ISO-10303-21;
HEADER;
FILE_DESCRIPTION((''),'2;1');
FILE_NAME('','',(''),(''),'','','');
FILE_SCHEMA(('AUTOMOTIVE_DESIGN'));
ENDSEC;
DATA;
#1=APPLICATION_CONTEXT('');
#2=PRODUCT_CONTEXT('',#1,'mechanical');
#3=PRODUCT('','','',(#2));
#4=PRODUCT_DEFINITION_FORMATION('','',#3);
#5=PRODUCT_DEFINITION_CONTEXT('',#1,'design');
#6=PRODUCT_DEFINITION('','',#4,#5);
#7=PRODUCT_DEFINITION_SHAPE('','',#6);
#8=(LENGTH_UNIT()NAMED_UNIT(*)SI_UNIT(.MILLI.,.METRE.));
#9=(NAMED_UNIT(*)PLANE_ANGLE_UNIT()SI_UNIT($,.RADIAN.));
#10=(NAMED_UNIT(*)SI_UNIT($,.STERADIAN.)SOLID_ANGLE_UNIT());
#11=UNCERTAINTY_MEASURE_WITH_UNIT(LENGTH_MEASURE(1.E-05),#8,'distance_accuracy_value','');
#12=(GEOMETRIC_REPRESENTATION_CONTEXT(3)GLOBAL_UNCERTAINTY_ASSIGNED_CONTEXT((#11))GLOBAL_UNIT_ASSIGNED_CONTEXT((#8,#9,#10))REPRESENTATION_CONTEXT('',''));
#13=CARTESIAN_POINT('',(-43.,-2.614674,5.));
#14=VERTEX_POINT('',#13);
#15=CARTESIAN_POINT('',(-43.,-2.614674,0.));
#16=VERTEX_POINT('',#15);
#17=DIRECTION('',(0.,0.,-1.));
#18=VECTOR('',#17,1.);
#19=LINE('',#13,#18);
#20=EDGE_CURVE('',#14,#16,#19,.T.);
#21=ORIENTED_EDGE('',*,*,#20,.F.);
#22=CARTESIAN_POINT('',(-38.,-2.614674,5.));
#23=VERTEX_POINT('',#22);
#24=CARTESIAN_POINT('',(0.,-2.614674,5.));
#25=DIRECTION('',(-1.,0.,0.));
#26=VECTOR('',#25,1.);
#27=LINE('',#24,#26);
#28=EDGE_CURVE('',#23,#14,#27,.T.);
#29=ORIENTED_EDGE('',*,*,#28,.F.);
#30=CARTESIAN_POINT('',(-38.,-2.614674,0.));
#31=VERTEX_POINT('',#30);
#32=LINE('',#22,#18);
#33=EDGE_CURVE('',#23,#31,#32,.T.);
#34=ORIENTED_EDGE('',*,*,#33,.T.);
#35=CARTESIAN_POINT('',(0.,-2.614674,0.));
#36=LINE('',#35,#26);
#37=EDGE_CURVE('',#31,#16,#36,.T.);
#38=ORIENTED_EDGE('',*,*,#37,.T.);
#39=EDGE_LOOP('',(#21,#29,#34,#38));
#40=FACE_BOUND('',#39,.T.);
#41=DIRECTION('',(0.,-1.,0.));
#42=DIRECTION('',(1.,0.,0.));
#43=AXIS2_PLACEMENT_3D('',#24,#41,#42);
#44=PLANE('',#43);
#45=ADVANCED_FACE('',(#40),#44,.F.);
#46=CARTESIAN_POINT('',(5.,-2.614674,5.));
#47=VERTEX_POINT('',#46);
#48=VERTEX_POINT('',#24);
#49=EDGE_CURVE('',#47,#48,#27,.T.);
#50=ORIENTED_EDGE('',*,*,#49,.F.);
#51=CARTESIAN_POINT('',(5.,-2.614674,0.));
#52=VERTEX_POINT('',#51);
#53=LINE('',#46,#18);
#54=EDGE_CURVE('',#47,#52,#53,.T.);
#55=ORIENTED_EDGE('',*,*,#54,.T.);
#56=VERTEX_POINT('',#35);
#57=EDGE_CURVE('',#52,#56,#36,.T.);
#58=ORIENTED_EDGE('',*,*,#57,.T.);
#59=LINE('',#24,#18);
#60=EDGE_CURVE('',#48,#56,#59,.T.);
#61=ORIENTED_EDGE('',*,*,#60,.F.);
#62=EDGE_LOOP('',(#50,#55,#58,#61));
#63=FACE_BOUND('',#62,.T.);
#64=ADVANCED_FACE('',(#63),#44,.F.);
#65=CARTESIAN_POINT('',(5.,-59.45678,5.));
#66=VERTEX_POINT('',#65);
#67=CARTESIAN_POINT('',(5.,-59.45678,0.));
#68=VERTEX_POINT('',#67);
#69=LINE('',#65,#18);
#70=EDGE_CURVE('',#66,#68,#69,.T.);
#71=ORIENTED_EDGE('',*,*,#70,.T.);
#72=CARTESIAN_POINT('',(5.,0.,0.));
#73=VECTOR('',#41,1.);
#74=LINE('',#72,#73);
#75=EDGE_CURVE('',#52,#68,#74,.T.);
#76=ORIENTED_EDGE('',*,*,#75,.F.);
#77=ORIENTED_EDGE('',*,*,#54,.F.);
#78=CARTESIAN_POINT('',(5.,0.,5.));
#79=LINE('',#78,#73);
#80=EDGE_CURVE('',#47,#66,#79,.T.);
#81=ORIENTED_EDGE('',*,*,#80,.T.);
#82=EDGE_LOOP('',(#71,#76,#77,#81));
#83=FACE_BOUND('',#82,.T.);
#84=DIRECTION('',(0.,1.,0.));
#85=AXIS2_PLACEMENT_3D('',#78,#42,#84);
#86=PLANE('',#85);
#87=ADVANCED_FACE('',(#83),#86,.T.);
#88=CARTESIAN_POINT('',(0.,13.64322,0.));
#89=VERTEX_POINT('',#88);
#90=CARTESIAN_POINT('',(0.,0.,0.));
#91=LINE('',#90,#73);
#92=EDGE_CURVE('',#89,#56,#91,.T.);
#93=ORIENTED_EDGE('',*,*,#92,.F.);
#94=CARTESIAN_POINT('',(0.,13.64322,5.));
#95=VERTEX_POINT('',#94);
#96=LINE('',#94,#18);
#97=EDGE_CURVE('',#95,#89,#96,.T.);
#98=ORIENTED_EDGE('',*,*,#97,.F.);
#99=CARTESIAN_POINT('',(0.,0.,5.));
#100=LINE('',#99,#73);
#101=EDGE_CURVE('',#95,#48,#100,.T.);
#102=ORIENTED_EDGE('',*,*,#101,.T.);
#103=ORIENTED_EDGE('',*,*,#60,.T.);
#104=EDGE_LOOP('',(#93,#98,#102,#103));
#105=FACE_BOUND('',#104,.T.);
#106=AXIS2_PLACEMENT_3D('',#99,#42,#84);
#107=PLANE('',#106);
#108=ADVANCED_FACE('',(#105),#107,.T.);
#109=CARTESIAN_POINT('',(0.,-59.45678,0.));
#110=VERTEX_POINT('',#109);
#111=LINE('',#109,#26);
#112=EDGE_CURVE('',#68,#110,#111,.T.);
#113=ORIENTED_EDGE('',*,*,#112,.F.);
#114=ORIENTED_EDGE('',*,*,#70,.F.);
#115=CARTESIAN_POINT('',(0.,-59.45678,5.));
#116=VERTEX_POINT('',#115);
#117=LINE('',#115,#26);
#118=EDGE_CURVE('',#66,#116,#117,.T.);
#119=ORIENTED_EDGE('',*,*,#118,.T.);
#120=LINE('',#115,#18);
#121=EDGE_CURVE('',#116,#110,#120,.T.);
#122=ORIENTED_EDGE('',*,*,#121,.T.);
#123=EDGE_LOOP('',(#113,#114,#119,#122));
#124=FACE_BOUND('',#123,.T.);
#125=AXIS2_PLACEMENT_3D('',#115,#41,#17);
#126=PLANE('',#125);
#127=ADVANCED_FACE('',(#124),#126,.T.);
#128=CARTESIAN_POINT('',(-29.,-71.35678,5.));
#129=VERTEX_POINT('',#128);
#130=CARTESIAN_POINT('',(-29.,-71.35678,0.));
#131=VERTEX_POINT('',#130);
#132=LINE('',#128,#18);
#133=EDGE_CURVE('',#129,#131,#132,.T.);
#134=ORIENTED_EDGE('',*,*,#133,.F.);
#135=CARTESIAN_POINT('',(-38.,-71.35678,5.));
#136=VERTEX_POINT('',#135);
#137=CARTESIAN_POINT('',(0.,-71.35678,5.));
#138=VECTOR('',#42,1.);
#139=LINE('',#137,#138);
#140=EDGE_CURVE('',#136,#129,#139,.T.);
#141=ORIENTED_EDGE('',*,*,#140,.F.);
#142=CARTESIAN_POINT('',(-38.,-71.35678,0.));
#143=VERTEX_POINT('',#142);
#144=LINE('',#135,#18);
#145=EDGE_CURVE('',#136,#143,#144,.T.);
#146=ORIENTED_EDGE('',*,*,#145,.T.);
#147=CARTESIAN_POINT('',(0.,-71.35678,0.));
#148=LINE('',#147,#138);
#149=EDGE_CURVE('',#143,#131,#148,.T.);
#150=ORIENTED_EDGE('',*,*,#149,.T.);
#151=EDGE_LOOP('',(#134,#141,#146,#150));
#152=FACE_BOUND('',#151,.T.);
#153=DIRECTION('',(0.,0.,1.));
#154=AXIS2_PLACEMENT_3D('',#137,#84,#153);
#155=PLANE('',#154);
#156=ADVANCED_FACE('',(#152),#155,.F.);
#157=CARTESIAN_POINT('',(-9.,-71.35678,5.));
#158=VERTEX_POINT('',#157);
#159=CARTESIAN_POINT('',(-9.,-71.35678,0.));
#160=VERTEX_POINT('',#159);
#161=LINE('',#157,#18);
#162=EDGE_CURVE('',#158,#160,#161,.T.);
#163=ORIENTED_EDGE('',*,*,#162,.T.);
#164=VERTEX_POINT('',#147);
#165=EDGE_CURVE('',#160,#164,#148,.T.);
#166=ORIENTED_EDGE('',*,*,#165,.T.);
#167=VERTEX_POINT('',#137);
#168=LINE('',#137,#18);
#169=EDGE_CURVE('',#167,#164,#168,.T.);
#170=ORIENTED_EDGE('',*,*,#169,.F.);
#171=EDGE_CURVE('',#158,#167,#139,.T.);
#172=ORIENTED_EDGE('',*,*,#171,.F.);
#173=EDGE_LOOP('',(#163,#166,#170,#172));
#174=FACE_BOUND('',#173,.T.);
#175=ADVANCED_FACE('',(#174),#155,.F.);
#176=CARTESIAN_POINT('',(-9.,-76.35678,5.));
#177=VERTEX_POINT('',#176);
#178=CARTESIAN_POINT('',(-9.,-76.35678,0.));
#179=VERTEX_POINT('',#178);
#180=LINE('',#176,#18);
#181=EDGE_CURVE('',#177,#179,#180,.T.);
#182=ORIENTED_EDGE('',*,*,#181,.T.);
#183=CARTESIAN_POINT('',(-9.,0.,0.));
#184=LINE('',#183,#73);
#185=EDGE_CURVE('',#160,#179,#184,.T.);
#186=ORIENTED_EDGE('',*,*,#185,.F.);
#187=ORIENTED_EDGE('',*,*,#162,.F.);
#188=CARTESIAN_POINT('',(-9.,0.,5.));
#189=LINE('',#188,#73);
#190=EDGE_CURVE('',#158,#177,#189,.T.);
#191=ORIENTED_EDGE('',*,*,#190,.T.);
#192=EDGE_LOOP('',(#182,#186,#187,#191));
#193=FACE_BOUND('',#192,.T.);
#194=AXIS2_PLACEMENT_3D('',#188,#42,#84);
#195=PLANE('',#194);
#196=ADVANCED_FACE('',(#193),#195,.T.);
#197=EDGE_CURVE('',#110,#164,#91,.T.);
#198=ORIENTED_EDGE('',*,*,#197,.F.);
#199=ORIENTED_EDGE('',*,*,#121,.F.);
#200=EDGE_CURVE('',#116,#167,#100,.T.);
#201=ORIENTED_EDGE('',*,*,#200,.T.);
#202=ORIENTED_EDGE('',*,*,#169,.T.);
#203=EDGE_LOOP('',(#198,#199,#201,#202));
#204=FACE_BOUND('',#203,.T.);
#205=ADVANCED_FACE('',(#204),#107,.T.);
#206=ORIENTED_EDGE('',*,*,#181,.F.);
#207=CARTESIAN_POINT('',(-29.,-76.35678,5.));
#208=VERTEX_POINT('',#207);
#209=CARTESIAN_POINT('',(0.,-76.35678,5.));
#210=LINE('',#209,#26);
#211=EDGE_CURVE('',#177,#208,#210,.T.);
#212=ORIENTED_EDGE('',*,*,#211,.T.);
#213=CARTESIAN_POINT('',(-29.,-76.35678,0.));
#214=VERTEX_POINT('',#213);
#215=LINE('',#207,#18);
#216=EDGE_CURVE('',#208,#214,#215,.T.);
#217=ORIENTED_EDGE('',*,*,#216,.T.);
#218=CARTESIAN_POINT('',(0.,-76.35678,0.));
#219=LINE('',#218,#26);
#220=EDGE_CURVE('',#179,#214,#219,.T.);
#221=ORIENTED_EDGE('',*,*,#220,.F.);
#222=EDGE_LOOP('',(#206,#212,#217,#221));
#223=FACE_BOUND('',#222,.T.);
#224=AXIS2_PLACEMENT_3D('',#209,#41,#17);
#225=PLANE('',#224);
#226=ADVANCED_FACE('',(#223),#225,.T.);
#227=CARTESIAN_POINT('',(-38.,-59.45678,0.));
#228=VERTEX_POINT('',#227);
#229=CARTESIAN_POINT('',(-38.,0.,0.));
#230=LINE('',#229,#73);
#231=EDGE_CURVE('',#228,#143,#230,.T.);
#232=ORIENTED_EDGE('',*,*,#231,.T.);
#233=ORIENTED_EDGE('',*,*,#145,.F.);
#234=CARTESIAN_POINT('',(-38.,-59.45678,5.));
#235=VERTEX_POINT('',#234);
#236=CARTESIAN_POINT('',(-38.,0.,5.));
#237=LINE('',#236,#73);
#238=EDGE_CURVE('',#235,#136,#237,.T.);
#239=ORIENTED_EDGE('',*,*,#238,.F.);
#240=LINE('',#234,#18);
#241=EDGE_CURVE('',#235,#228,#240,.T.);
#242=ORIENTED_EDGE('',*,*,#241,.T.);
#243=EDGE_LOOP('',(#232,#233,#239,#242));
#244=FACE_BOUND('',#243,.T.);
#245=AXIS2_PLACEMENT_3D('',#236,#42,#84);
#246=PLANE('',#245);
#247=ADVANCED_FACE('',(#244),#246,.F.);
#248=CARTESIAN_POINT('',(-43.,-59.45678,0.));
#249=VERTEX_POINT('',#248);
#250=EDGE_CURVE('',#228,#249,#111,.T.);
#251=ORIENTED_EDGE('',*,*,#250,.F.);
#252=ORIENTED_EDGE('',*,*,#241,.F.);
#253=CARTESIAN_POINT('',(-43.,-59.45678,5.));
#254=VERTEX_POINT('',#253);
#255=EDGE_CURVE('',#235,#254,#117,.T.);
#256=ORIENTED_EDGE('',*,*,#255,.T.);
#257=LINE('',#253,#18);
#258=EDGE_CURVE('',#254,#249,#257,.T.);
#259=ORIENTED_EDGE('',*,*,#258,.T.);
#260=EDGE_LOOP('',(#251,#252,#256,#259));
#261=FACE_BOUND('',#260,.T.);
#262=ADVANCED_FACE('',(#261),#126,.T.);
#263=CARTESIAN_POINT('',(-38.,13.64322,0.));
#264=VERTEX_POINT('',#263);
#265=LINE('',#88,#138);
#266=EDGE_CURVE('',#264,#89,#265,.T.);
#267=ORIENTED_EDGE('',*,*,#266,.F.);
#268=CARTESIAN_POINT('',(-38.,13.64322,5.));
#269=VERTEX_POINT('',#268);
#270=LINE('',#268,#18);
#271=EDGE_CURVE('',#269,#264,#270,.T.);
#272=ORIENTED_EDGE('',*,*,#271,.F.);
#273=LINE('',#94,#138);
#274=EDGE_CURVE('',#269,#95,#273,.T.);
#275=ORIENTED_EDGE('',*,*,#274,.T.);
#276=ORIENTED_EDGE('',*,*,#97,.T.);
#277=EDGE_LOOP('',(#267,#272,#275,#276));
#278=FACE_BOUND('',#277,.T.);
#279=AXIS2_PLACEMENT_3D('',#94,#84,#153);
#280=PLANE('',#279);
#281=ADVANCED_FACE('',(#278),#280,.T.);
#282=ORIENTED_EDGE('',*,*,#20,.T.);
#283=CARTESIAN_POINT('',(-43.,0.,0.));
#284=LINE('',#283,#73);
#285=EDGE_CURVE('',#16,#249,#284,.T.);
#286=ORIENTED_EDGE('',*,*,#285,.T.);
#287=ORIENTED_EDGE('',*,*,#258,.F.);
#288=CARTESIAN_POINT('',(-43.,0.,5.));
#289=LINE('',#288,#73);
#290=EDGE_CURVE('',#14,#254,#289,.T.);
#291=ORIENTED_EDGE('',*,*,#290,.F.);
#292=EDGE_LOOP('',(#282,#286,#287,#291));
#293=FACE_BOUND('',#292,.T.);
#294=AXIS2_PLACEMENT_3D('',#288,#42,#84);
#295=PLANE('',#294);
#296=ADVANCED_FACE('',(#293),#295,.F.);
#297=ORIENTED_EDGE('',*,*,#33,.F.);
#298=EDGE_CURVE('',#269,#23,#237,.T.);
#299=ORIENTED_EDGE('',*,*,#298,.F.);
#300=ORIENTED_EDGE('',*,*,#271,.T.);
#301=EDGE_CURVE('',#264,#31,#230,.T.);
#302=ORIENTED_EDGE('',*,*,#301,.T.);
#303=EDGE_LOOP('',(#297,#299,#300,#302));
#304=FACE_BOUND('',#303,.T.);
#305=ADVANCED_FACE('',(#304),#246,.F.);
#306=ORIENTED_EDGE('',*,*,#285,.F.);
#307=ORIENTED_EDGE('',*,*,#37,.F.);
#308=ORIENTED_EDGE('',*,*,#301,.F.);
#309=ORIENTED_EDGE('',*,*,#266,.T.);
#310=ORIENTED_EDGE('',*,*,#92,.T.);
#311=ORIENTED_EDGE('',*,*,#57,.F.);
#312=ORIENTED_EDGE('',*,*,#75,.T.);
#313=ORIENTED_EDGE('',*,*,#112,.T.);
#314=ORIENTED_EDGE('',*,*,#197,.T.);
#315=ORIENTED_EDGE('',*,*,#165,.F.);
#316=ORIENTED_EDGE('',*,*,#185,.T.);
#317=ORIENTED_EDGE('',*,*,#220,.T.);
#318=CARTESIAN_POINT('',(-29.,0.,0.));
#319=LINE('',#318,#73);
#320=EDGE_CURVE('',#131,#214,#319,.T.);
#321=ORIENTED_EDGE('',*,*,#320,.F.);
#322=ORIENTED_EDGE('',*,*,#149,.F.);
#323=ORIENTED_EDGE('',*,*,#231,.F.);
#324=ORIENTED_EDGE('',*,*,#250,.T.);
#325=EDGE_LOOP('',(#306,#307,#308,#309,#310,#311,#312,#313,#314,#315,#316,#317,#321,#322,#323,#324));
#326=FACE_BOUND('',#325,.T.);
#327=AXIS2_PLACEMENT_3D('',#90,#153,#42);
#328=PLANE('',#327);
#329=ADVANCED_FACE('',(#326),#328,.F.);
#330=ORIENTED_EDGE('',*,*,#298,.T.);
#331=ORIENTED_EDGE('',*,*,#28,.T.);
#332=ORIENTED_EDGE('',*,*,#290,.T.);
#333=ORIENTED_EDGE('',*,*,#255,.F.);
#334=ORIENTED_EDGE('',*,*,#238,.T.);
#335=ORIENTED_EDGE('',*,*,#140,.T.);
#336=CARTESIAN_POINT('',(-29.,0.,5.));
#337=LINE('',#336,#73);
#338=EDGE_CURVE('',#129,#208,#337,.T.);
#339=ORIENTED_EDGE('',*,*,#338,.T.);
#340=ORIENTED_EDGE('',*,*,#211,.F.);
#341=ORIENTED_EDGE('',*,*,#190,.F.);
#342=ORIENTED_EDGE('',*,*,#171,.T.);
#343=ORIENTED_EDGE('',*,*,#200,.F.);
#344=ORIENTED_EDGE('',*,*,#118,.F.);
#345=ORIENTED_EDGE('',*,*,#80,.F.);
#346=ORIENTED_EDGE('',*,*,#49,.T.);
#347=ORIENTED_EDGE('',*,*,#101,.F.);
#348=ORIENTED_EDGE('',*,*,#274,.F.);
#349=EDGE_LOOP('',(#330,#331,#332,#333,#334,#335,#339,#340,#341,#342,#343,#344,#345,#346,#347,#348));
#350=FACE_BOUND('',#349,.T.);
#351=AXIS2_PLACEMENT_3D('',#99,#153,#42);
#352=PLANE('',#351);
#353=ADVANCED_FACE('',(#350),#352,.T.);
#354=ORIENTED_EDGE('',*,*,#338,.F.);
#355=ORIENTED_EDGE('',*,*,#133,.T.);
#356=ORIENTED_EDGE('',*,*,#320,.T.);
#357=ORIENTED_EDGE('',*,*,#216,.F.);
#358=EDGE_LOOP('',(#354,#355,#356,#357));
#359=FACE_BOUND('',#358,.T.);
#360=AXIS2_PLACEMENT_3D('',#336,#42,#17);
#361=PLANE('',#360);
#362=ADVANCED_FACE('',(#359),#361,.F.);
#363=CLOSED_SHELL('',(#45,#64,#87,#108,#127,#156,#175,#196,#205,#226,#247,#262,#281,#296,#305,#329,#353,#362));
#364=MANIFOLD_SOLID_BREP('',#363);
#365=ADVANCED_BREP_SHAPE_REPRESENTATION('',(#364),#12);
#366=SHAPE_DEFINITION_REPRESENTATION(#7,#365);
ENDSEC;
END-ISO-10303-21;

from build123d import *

# Parameters (mm, degrees)
SKIZZE1_W                       = 38
SKIZZE1_H                       = 85
SKIZZE1_W_2                     = 5
SKIZZE1_H_2                     = 56.842105263
SKIZZE1_W_3                     = 20
SKIZZE1_H_3                     = 5
AUFSATZ_LINEAR_AUSTRAGEN1_DEPTH = 5


with BuildPart() as part:
    # Skizze1 → Aufsatz-Linear austragen1 (new body)
    with BuildSketch(Plane.XY):
        with Locations((-19, -28.856779661)):
            Rectangle(SKIZZE1_W, SKIZZE1_H)
        with Locations((2.5, -31.03572703)):
            Rectangle(SKIZZE1_W_2, SKIZZE1_H_2)
        with Locations((-19, -73.856779661)):
            Rectangle(SKIZZE1_W_3, SKIZZE1_H_3)
        with Locations((-40.5, -31.03572703)):
            Rectangle(SKIZZE1_W_2, SKIZZE1_H_2)
    extrude(amount=AUFSATZ_LINEAR_AUSTRAGEN1_DEPTH)


solid = part.part
